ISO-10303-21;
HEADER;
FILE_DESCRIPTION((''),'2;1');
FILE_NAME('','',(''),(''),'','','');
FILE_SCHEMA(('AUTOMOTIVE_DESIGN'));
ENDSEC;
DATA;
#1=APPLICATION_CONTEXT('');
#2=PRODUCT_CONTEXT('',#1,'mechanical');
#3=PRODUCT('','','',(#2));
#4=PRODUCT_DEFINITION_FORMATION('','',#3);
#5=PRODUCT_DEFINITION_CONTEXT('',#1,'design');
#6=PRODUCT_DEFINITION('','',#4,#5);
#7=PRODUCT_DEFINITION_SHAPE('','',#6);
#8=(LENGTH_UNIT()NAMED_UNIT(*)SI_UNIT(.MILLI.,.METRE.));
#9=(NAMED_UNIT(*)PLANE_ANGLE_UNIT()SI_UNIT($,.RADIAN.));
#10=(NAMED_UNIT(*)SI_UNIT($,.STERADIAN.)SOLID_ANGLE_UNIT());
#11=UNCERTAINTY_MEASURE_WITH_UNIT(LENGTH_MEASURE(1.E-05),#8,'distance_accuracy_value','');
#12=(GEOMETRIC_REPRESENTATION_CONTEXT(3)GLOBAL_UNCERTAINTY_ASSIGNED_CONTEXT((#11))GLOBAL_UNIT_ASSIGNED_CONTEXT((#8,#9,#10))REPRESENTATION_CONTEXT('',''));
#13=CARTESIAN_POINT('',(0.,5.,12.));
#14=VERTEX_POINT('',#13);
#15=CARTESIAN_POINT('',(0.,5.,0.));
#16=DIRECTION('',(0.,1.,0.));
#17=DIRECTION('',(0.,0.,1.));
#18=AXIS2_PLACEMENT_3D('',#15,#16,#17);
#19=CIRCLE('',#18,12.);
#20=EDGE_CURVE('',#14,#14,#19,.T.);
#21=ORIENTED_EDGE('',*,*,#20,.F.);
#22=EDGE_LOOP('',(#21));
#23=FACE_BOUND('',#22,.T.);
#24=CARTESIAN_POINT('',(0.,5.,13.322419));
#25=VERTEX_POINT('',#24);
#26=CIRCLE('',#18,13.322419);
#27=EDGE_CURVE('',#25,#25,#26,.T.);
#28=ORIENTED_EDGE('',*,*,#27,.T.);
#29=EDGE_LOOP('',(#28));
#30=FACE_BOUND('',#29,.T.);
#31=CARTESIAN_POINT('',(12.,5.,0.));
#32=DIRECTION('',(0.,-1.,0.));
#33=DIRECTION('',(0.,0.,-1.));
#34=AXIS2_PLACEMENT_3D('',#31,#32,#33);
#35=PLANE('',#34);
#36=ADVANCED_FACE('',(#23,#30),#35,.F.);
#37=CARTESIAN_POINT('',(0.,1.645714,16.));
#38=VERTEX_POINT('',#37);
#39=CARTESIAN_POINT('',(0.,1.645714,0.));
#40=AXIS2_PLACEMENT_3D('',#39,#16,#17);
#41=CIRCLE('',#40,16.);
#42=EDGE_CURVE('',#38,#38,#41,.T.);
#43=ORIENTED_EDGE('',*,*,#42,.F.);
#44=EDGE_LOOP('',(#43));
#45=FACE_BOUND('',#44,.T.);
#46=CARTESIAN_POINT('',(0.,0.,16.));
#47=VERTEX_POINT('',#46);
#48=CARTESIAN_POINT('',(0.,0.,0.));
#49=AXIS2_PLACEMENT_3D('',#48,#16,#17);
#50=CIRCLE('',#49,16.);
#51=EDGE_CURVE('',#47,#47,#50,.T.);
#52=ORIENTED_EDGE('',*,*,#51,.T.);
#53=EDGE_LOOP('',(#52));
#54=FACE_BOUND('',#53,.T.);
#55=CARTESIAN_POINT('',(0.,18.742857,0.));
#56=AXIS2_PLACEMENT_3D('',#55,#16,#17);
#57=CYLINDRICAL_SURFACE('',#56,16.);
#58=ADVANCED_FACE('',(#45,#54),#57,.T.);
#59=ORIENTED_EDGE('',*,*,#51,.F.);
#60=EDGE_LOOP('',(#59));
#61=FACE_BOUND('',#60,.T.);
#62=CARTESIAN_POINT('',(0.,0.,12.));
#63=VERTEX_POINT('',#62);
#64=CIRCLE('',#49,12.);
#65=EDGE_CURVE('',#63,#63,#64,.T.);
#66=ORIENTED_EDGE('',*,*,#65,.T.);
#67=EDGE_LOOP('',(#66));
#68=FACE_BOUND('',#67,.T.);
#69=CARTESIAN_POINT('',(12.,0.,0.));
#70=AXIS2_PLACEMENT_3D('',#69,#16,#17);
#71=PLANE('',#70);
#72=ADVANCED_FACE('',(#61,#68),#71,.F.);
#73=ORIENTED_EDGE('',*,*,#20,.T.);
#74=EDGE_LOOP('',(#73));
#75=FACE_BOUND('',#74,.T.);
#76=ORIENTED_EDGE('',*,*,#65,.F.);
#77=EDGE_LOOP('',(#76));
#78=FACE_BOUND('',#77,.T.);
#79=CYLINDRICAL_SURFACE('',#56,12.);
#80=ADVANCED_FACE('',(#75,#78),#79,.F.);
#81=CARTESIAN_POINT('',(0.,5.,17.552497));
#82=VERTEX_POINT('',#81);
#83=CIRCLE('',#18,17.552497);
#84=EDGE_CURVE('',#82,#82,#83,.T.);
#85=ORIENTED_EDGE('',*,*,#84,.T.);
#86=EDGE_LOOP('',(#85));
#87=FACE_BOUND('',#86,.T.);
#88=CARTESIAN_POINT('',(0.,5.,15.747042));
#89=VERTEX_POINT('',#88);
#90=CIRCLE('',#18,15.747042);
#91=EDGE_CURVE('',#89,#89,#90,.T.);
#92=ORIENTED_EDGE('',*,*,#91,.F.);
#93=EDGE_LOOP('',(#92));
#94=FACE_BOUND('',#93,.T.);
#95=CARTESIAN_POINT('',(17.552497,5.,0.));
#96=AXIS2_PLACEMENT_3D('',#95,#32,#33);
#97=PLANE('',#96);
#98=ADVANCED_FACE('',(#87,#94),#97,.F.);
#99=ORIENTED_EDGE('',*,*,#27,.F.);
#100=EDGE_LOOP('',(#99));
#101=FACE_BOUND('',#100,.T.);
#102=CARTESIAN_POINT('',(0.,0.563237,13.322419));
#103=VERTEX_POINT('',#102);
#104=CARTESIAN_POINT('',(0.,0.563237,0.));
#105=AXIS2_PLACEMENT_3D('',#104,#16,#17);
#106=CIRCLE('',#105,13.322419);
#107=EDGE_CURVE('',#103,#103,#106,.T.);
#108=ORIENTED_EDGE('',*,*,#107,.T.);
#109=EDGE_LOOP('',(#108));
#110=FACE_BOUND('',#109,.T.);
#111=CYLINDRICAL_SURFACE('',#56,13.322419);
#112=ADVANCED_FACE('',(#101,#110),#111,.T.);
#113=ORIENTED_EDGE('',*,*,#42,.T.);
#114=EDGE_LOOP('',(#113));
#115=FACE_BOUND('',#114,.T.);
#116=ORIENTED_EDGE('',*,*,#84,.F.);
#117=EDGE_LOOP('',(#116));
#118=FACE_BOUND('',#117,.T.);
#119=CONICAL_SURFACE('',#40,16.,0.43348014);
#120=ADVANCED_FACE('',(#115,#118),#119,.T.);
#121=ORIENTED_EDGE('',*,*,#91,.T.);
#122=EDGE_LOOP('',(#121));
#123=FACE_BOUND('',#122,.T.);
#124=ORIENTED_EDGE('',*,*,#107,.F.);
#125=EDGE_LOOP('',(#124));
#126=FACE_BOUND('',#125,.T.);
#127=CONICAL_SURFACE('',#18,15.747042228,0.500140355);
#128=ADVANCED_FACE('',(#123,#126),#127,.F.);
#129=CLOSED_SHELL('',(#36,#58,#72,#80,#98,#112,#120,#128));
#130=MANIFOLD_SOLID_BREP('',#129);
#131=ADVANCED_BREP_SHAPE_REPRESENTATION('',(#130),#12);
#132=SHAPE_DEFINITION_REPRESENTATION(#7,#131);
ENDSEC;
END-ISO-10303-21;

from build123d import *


with BuildPart() as part:
    # Croquis1 → Revolución1 (revolve)
    with BuildSketch(Plane.XY):
        Polygon((12, 0), (16, 0), (16, 1.645714286), (17.552497275, 5), (15.747042228, 5), (13.322419144, 0.563237404), (13.322419144, 5), (12, 5), align=None)
    revolve(axis=Axis((0, 18.742857143, 0), (0, -1, 0)))


solid = part.part
